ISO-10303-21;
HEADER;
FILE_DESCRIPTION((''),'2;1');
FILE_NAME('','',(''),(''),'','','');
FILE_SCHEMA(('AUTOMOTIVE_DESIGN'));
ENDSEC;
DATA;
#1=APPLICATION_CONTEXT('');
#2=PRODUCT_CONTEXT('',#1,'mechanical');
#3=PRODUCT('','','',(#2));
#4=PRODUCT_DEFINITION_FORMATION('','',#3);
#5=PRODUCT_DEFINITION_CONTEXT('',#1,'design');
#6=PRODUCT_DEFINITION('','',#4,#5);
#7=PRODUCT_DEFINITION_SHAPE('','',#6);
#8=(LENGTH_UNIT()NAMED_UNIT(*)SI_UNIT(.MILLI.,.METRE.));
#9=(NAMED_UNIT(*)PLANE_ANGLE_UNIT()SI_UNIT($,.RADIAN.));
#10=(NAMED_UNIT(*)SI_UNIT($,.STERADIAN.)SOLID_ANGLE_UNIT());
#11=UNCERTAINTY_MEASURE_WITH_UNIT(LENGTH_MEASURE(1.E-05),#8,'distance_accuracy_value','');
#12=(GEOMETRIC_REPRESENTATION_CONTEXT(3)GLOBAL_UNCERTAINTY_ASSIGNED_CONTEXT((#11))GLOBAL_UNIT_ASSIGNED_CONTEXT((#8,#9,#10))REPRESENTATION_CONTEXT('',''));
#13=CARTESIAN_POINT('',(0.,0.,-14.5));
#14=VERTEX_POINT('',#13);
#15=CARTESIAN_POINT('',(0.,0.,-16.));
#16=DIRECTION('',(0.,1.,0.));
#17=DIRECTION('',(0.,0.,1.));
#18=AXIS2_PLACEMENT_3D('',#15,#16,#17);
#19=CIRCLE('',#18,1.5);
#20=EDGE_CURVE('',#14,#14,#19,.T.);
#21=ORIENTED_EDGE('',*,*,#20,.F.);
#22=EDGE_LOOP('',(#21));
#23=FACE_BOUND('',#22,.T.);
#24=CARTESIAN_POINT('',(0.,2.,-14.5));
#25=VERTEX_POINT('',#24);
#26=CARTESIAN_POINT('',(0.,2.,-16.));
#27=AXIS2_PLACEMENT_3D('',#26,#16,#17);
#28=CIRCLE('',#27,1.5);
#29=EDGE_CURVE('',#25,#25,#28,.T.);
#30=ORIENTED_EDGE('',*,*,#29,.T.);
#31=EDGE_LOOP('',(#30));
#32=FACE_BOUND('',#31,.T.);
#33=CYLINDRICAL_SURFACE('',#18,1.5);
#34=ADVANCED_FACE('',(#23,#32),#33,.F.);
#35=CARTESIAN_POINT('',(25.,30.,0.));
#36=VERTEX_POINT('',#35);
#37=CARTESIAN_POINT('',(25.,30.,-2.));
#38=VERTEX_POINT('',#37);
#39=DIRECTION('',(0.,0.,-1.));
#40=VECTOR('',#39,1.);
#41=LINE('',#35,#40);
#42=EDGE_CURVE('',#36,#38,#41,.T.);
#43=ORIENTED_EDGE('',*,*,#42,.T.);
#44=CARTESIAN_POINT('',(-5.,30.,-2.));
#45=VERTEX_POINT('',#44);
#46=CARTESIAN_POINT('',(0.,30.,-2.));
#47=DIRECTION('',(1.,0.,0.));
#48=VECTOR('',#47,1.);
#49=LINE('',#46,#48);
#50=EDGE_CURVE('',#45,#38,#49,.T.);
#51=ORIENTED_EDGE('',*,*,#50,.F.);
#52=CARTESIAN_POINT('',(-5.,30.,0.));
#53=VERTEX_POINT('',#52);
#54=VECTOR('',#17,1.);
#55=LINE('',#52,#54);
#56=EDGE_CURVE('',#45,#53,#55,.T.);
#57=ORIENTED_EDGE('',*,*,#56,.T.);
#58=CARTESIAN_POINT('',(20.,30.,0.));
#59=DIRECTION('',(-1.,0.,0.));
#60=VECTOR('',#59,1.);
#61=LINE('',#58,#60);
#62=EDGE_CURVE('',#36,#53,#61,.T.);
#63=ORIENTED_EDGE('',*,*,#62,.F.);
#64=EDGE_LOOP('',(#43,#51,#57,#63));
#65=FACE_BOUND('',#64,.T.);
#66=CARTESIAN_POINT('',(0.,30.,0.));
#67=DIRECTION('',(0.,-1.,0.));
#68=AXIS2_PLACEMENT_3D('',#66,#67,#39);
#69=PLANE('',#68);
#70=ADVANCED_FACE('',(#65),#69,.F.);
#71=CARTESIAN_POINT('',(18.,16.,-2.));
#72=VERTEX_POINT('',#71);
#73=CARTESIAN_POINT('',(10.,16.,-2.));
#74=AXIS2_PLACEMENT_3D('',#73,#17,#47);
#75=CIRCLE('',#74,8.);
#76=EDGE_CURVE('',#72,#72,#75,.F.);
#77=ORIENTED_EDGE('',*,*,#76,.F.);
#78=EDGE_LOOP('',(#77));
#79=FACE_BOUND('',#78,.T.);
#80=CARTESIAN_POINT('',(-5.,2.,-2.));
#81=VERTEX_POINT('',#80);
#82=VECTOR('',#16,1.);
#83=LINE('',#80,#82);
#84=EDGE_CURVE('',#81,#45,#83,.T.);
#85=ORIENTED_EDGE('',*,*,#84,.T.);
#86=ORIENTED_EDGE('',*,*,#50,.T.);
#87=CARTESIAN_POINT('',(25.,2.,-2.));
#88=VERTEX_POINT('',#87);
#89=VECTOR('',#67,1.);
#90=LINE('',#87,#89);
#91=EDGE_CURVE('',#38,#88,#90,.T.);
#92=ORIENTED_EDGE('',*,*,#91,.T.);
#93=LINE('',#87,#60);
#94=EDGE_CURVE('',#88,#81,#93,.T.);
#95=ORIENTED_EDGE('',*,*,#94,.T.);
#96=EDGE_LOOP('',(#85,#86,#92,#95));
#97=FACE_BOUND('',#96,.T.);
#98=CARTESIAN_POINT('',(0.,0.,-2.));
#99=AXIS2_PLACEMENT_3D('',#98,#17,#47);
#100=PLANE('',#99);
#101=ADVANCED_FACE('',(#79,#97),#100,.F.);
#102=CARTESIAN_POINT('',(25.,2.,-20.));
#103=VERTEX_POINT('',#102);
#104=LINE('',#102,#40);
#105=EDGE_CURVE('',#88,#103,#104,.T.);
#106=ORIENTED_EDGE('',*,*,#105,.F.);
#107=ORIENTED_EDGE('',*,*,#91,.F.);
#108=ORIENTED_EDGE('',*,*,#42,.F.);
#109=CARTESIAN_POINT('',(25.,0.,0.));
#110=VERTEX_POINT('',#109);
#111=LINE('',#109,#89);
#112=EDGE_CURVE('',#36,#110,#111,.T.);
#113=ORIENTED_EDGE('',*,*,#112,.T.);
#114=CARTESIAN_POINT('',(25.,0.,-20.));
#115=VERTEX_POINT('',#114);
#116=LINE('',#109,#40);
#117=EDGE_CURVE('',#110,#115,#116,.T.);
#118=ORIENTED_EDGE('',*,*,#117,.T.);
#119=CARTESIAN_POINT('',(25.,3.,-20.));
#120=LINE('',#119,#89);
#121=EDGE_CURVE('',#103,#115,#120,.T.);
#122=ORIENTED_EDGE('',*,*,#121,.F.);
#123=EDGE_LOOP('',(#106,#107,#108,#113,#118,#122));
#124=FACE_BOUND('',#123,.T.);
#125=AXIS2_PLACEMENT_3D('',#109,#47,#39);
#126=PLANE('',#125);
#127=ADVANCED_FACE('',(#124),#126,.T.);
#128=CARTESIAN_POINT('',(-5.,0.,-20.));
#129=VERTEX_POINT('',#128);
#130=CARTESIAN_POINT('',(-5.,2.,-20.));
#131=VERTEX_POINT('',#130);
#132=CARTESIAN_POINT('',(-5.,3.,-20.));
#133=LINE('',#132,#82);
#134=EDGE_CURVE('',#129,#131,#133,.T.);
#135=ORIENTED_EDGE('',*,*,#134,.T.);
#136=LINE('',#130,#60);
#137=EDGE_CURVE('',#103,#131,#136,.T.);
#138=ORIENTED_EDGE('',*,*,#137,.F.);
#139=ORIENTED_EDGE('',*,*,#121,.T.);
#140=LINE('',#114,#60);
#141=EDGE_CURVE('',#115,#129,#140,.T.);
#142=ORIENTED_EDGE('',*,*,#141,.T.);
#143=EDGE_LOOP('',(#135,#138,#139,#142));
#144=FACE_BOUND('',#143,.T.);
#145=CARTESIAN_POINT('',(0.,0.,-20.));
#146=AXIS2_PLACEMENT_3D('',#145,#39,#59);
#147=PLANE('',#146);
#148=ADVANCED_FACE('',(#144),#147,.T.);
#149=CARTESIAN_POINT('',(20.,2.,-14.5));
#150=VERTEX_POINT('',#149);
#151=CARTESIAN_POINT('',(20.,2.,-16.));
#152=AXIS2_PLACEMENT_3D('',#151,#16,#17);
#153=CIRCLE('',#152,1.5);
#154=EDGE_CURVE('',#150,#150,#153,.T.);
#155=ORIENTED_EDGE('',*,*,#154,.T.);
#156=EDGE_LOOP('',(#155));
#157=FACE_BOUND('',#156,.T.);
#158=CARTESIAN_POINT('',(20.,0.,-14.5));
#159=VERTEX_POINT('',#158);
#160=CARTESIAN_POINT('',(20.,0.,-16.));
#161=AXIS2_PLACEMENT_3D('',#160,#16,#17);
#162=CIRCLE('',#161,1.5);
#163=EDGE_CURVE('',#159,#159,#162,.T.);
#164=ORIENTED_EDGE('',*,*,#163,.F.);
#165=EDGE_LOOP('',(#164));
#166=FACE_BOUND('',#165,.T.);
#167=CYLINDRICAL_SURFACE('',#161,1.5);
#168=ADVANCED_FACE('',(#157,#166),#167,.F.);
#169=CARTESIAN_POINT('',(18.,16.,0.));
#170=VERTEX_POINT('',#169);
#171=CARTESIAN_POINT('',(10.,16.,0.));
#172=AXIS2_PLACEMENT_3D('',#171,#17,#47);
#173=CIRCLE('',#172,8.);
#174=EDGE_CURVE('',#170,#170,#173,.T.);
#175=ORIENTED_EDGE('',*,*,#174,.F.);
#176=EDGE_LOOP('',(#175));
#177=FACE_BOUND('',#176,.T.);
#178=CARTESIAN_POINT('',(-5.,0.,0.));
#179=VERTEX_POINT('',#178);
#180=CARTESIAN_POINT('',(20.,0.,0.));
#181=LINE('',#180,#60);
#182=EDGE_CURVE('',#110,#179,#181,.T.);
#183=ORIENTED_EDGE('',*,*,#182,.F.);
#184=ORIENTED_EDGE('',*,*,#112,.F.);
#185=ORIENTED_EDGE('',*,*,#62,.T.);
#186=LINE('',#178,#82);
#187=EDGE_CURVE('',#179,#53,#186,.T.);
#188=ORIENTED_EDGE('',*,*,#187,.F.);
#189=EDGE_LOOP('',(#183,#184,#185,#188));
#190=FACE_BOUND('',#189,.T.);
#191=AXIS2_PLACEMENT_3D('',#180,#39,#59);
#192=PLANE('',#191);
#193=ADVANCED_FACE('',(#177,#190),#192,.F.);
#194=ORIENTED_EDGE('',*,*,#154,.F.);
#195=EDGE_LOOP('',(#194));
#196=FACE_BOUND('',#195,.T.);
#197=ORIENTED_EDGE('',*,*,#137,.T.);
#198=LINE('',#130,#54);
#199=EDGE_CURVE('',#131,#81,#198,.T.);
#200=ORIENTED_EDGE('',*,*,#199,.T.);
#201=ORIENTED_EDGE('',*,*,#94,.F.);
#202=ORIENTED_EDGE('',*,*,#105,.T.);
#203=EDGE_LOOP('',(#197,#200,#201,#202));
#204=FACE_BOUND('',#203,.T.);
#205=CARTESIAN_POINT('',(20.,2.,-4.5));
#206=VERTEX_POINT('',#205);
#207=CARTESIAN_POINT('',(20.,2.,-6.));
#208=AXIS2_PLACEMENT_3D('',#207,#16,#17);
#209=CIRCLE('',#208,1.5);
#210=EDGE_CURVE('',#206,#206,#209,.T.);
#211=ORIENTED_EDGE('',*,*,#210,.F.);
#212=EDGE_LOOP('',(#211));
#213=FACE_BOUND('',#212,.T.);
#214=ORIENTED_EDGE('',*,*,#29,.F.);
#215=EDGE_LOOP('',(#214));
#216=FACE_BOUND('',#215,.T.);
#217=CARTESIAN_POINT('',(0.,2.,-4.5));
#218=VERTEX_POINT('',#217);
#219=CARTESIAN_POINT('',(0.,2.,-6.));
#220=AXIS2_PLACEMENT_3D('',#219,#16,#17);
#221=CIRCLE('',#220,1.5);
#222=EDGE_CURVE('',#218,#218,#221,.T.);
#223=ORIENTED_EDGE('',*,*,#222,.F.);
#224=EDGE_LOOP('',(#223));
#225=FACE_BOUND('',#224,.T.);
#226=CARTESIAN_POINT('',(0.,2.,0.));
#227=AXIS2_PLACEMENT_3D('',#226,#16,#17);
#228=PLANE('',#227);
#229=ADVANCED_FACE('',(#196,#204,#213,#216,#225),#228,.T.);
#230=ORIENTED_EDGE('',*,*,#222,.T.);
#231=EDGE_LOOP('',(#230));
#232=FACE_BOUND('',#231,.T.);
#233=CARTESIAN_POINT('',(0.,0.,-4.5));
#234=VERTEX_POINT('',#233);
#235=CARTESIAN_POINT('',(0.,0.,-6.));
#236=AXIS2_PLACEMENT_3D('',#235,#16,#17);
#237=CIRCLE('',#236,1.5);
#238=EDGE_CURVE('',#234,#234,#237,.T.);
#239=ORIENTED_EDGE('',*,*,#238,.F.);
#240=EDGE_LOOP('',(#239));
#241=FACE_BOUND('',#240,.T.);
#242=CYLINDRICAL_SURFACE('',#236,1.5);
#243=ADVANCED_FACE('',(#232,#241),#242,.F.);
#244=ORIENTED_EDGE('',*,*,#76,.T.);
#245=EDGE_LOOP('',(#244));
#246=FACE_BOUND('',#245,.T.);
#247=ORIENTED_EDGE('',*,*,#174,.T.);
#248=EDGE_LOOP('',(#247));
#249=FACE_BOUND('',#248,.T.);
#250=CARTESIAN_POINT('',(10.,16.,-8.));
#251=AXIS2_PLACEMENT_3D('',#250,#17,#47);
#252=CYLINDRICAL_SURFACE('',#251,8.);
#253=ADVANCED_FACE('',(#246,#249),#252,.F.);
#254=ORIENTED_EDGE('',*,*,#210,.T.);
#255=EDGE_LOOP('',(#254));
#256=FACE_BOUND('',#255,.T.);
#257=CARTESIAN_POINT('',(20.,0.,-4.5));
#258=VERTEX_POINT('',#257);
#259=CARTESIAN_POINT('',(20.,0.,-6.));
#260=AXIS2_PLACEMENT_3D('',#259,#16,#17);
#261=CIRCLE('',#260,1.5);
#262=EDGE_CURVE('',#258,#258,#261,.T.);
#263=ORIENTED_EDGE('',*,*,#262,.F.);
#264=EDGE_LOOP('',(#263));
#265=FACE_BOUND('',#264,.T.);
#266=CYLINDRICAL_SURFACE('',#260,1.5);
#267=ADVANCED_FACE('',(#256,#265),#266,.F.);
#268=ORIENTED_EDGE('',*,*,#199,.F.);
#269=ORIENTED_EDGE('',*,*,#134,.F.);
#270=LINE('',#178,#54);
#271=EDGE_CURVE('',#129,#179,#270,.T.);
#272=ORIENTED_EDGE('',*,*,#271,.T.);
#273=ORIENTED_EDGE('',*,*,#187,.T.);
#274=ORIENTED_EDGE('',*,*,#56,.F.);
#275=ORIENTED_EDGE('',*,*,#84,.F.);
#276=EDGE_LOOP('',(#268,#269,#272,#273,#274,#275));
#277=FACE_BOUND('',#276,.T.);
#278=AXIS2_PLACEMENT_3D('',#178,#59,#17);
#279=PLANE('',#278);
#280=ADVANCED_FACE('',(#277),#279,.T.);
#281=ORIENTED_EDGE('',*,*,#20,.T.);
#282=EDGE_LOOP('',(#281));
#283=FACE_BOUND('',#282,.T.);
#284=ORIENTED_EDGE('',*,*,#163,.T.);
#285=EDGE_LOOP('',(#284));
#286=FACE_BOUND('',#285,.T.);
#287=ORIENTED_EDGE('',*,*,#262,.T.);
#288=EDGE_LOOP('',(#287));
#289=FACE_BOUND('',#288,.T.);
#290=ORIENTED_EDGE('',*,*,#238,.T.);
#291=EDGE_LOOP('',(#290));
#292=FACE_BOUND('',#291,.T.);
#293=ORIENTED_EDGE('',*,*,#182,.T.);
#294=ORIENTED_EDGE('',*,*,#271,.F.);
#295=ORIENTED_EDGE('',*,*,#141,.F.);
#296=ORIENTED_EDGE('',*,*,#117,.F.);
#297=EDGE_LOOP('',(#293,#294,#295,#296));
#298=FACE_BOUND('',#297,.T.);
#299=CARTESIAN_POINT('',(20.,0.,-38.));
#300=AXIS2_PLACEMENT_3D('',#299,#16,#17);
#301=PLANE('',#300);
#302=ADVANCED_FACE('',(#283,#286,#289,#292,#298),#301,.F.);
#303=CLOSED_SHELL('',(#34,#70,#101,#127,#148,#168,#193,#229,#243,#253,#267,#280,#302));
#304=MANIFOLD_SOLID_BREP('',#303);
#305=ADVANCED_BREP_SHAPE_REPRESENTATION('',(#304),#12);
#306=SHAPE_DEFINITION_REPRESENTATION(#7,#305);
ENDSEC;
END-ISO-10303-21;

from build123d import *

# Parameters (mm, degrees)
EXTRUDE_1_DEPTH     = 20
SKETCH_9_W          = 35
SKETCH_9_H          = 3
EXTRUDE_2_DEPTH     = 5
SKETCH_10_W         = 3
SKETCH_10_H         = 35
EXTRUDE_3_DEPTH     = 5
SKETCH_11_R         = 8
CUT_EXTRUDE_4_DEPTH = 8
SKETCH_12_W         = 30
SKETCH_12_H         = 3
CUT_EXTRUDE_5_DEPTH = 18
SKETCH_13_W         = 30
SKETCH_13_H         = 17
CUT_EXTRUDE_6_DEPTH = 1
SKETCH_14_W         = 30
SKETCH_14_H         = 36
CUT_EXTRUDE_7_DEPTH = 1
SKETCH_15_R         = 1.5
CUT_EXTRUDE_8_DEPTH = 2
SKETCH_17_W         = 39.353314789
SKETCH_17_H         = 5.702998022
CUT_EXTRUDE_9_DEPTH = 8


with BuildPart() as part:
    # 草图1 → 凸台-拉伸1 (new body)
    with BuildSketch(Plane(origin=(0, 0, 0), x_dir=(0, 0, -1), z_dir=(1, 0, 0))):
        Polygon((0, 0), (0, 38), (3, 38), (3, 3), (38, 3), (38, 0), align=None)
    extrude(amount=EXTRUDE_1_DEPTH)

    # 草图9 → 凸台-拉伸2 (add)
    with BuildSketch(Plane(origin=(20, 0, 0), x_dir=(0, 0, -1), z_dir=(1, 0, 0))):
        Polygon((3, 38), (0, 38), (0, 0), (3, 0), (3, 3), align=None)
        with Locations((20.5, 1.5)):
            Rectangle(SKETCH_9_W, SKETCH_9_H)
    extrude(amount=EXTRUDE_2_DEPTH)

    # 草图10 → 凸台-拉伸3 (add)
    with BuildSketch(Plane.ZY):
        with Locations((-1.5, 20.5)):
            Rectangle(SKETCH_10_W, SKETCH_10_H)
        Polygon((0, 0), (0, 3), (-3, 3), (-38, 3), (-38, 0), align=None)
    extrude(amount=EXTRUDE_3_DEPTH)

    # 草图11 → 切除-拉伸4 (cut)
    with BuildSketch(Plane.XY):
        with Locations((10, 16)):
            Circle(SKETCH_11_R)
    extrude(amount=-CUT_EXTRUDE_4_DEPTH, mode=Mode.SUBTRACT)

    # 草图12 → 切除-拉伸5 (cut)
    with BuildSketch(Plane(origin=(0, 0, -38), x_dir=(-1, 0, 0), z_dir=(0, 0, -1))):
        with Locations((-10, 1.5)):
            Rectangle(SKETCH_12_W, SKETCH_12_H)
    extrude(amount=-CUT_EXTRUDE_5_DEPTH, mode=Mode.SUBTRACT)

    # 草图13 → 切除-拉伸6 (cut)
    with BuildSketch(Plane(origin=(0, 3, 0), x_dir=(1, 0, 0), z_dir=(0, 1, 0))):
        with Locations((10, 11.5)):
            Rectangle(SKETCH_13_W, SKETCH_13_H)
    extrude(amount=-CUT_EXTRUDE_6_DEPTH, mode=Mode.SUBTRACT)

    # 草图14 → 切除-拉伸7 (cut)
    with BuildSketch(Plane(origin=(0, 0, -3), x_dir=(-1, 0, 0), z_dir=(0, 0, -1))):
        with Locations((-10, 20)):
            Rectangle(SKETCH_14_W, SKETCH_14_H)
    extrude(amount=-CUT_EXTRUDE_7_DEPTH, mode=Mode.SUBTRACT)

    # 草图15 → 切除-拉伸8 (cut)
    with BuildSketch(Plane(origin=(0, 2, 0), x_dir=(1, 0, 0), z_dir=(0, 1, 0))):
        with Locations((20, 6)):
            Circle(SKETCH_15_R)
        with Locations((0, 6)):
            Circle(SKETCH_15_R)
        with Locations((0, 16)):
            Circle(SKETCH_15_R)
        with Locations((20, 16)):
            Circle(SKETCH_15_R)
    extrude(amount=-CUT_EXTRUDE_8_DEPTH, mode=Mode.SUBTRACT)

    # 草图17 → 切除-拉伸9 (cut)
    with BuildSketch(Plane(origin=(0, 38, 0), x_dir=(1, 0, 0), z_dir=(0, 1, 0))):
        with Locations((8.215909563, 1.4252762)):
            Rectangle(SKETCH_17_W, SKETCH_17_H)
    extrude(amount=-CUT_EXTRUDE_9_DEPTH, mode=Mode.SUBTRACT)


solid = part.part
